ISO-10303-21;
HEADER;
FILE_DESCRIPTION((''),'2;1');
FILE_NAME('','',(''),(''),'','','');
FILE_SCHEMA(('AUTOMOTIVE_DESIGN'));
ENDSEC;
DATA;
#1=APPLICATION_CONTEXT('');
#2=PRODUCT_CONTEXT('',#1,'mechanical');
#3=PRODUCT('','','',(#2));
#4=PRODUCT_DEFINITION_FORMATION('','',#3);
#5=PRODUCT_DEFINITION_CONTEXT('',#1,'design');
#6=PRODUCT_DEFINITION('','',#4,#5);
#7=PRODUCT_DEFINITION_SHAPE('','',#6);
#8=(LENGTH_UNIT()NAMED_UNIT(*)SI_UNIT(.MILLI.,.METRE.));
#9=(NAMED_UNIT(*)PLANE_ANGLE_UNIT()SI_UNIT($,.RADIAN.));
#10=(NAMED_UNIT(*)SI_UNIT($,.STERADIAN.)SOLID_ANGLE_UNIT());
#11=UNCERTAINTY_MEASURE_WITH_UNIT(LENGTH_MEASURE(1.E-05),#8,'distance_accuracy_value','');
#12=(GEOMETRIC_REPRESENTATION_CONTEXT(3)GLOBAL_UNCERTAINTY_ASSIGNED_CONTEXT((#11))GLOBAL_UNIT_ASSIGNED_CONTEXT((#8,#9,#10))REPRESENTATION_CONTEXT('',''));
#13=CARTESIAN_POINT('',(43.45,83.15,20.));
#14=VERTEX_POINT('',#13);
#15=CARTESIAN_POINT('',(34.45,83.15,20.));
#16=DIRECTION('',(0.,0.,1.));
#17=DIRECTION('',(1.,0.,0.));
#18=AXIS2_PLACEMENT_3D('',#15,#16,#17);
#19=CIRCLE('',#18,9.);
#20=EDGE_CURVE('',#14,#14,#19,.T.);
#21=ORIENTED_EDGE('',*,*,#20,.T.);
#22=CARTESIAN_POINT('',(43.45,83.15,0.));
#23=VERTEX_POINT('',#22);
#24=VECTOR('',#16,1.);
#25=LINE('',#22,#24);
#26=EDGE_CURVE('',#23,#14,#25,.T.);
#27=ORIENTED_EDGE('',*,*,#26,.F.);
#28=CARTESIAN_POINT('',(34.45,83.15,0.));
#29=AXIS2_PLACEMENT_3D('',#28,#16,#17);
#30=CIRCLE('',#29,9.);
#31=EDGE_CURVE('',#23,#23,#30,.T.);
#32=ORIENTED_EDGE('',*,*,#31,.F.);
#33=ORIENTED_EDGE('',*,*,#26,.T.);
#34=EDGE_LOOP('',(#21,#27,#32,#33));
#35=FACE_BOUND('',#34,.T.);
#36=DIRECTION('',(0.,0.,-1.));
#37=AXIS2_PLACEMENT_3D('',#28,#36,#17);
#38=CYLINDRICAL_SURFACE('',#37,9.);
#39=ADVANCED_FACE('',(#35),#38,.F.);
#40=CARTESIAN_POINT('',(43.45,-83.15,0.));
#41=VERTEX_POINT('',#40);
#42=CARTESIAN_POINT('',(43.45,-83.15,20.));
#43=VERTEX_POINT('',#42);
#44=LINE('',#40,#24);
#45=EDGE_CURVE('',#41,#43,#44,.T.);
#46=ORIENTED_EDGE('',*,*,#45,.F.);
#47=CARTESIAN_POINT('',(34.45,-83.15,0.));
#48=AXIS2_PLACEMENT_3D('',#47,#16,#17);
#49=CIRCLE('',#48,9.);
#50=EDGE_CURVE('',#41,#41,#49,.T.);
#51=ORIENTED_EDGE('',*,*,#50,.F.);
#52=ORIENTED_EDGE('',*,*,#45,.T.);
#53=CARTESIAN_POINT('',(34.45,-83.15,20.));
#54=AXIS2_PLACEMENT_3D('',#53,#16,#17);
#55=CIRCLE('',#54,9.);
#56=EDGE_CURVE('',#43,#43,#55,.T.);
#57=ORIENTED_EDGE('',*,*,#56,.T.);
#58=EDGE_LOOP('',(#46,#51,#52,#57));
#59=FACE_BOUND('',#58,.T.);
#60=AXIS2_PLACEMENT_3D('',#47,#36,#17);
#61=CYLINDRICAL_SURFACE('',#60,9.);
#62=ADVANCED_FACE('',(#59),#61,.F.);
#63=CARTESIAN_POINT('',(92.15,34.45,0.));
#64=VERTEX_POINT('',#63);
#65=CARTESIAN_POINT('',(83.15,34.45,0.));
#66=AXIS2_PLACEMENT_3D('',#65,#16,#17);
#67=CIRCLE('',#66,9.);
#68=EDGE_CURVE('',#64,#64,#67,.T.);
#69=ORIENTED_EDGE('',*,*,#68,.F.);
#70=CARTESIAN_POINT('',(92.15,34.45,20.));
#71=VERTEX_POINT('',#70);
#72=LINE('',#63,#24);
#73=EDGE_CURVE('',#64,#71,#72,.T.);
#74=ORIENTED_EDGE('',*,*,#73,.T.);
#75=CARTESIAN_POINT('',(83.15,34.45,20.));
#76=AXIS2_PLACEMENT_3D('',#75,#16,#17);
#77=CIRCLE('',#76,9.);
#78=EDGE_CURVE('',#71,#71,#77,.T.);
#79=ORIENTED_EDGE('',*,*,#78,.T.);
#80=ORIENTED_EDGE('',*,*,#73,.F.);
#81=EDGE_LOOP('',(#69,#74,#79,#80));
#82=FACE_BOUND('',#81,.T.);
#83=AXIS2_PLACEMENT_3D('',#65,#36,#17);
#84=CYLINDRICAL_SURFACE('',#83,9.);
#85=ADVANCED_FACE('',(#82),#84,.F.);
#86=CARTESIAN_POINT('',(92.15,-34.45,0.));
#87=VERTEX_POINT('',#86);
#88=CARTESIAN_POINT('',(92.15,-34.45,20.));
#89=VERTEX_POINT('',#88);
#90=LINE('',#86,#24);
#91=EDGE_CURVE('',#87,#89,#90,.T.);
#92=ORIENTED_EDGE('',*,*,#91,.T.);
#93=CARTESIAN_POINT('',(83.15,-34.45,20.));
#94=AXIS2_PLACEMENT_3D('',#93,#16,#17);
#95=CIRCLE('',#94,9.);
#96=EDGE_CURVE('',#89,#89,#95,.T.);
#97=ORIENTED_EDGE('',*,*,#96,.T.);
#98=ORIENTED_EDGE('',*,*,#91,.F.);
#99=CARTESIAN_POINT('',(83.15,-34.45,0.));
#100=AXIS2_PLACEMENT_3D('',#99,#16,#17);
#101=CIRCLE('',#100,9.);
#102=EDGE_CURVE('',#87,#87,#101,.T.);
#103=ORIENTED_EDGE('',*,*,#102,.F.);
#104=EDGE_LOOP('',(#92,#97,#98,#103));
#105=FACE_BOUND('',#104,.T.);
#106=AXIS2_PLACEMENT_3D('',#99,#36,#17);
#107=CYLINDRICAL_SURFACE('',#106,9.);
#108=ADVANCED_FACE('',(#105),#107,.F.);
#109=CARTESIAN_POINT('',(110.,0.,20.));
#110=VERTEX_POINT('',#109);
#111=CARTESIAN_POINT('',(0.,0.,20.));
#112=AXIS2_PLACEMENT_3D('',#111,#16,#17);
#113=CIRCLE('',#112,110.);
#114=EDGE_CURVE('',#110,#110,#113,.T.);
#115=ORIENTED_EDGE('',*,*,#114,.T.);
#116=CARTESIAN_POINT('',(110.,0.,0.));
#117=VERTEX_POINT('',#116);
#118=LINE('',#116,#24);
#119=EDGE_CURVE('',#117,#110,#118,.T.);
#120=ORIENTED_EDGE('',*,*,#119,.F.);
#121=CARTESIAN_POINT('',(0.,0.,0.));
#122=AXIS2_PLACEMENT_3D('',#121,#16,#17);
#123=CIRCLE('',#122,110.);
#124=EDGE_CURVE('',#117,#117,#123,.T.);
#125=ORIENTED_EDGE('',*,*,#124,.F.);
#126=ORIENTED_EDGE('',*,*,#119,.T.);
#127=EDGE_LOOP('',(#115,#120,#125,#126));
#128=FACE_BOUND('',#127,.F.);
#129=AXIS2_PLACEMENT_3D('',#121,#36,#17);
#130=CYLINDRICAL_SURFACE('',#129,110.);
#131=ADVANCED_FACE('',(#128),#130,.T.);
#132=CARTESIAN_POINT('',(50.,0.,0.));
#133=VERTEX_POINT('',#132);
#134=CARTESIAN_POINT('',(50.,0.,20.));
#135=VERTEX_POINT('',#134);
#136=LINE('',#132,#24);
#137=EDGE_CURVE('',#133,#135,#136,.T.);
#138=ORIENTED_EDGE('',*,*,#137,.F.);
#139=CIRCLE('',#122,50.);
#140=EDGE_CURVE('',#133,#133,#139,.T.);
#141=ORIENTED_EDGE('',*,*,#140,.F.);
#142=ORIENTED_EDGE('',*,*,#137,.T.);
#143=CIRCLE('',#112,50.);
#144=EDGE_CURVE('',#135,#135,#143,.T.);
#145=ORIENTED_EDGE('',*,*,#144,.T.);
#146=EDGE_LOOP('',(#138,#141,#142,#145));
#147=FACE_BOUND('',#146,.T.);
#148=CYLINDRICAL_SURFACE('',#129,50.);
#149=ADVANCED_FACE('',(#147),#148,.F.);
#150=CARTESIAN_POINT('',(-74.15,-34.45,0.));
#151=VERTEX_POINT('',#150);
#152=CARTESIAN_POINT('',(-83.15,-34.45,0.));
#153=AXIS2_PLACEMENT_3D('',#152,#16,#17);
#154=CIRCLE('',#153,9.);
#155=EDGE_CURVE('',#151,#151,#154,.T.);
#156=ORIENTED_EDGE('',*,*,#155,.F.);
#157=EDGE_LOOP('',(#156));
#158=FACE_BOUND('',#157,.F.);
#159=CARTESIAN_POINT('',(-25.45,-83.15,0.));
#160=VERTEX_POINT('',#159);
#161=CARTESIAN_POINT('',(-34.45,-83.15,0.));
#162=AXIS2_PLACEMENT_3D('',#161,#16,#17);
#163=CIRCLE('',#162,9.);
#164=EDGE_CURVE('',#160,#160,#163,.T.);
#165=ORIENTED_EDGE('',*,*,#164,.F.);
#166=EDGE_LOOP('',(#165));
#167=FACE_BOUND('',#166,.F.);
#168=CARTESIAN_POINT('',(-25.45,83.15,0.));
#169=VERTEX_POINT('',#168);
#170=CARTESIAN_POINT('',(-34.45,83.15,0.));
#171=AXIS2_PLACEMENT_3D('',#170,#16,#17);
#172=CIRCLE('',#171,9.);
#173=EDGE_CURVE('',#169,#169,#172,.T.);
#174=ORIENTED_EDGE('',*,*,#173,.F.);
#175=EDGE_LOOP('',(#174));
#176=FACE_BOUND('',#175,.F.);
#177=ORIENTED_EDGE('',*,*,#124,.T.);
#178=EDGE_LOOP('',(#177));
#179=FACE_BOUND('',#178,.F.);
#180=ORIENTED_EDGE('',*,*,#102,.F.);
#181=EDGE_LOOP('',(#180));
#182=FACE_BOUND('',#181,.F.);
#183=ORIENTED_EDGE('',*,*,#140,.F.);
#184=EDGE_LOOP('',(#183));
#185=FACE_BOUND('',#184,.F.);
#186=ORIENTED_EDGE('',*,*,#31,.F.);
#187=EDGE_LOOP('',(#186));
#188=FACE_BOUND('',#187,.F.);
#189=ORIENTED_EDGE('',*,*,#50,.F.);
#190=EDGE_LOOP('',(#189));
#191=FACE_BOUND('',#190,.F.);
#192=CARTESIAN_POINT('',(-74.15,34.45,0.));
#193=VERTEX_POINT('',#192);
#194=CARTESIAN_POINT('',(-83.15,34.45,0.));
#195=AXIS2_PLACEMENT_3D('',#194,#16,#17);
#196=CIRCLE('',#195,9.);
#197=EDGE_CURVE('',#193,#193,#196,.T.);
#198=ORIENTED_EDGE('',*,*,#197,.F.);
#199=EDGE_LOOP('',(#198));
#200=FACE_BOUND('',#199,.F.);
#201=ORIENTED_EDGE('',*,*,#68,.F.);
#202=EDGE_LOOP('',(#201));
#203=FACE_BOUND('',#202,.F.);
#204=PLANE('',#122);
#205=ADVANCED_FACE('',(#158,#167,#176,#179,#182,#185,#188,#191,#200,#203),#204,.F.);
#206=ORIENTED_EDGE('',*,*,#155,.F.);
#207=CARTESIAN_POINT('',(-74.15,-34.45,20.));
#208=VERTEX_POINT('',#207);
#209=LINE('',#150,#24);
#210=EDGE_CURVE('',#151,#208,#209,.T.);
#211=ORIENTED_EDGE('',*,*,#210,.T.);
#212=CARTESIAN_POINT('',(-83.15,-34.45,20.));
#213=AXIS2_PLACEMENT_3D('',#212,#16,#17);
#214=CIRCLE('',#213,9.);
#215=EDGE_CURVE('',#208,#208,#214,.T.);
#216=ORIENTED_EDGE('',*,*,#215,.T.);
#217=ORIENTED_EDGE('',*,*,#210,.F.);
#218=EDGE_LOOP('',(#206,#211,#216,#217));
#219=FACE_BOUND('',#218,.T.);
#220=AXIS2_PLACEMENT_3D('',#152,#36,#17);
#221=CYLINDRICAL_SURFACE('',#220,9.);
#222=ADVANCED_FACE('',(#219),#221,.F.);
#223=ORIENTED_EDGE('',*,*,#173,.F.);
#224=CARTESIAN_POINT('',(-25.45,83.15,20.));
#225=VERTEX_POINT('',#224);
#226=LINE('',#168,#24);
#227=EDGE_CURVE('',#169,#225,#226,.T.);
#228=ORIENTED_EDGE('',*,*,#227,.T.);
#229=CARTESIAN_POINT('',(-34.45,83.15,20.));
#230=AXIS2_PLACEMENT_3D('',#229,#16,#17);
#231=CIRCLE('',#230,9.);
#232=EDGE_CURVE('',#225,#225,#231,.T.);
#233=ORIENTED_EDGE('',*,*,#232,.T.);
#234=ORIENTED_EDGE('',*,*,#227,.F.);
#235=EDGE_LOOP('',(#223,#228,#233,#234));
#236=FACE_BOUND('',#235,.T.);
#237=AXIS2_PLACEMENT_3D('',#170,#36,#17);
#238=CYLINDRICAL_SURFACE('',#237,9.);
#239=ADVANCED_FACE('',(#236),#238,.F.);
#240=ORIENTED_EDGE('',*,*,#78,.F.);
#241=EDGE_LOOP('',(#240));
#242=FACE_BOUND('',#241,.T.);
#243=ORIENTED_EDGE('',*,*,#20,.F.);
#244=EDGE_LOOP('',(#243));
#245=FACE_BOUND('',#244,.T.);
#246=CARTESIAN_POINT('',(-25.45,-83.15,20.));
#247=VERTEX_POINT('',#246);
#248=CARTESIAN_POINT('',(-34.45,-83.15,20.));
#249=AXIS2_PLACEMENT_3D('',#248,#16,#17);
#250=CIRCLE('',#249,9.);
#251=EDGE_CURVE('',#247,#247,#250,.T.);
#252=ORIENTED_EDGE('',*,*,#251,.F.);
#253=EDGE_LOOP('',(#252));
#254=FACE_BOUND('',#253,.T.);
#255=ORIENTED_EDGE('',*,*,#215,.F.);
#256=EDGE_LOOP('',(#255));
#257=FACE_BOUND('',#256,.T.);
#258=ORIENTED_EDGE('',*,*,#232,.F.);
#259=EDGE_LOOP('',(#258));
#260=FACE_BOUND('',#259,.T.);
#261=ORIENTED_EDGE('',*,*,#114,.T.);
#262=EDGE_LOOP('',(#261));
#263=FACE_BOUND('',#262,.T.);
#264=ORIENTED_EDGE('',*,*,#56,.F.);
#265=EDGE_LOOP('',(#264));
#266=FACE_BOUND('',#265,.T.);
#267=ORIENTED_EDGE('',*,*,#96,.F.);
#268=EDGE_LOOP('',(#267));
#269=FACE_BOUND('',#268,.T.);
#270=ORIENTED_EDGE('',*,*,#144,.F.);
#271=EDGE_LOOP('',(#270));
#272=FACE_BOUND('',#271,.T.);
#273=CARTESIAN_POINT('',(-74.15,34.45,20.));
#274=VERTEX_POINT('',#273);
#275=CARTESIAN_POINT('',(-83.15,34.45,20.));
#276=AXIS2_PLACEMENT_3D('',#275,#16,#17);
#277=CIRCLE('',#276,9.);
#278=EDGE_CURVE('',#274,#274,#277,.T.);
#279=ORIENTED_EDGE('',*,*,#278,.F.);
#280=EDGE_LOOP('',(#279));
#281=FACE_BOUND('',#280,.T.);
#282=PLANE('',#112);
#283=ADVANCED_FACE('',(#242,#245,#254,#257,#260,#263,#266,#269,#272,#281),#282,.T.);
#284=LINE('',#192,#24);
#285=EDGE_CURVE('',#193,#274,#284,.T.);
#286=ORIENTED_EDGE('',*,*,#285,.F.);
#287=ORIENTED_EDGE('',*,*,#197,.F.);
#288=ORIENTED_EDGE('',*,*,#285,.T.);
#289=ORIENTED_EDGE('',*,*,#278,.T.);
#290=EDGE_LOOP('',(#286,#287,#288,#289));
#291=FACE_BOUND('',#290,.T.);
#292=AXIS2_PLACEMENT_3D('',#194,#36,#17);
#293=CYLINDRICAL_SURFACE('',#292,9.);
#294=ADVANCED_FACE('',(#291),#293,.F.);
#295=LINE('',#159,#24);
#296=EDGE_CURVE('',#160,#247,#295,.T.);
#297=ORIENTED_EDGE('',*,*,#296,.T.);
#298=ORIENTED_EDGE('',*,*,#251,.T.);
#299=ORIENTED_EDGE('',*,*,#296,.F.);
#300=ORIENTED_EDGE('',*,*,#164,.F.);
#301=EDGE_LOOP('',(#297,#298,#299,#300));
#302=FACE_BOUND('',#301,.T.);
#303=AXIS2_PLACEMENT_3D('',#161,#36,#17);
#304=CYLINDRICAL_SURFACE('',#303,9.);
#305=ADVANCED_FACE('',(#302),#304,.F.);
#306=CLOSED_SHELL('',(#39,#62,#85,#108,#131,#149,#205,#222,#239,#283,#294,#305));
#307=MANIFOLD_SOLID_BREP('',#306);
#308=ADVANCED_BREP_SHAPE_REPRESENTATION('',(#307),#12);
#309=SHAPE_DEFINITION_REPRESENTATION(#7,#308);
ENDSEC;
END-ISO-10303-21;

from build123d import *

# Parameters (mm, degrees)
F0_R     = 110
F0_R_2   = 9
F0_R_3   = 50
F1_DEPTH = 20


with BuildPart() as f1:
    # F0 (on Top) → F1 (new body)
    with BuildSketch(Plane.XY):
        Circle(F0_R)
        with Locations((-34.45, -83.15)):
            Circle(F0_R_2, mode=Mode.SUBTRACT)
        with Locations((-83.15, -34.45)):
            Circle(F0_R_2, mode=Mode.SUBTRACT)
        with Locations((34.45, -83.15)):
            Circle(F0_R_2, mode=Mode.SUBTRACT)
        with Locations((83.15, -34.45)):
            Circle(F0_R_2, mode=Mode.SUBTRACT)
        with Locations((-83.15, 34.45)):
            Circle(F0_R_2, mode=Mode.SUBTRACT)
        with Locations((-34.45, 83.15)):
            Circle(F0_R_2, mode=Mode.SUBTRACT)
        Circle(F0_R_3, mode=Mode.SUBTRACT)
        with Locations((83.15, 34.45)):
            Circle(F0_R_2, mode=Mode.SUBTRACT)
        with Locations((34.45, 83.15)):
            Circle(F0_R_2, mode=Mode.SUBTRACT)
    extrude(amount=F1_DEPTH)


solid = f1.part
